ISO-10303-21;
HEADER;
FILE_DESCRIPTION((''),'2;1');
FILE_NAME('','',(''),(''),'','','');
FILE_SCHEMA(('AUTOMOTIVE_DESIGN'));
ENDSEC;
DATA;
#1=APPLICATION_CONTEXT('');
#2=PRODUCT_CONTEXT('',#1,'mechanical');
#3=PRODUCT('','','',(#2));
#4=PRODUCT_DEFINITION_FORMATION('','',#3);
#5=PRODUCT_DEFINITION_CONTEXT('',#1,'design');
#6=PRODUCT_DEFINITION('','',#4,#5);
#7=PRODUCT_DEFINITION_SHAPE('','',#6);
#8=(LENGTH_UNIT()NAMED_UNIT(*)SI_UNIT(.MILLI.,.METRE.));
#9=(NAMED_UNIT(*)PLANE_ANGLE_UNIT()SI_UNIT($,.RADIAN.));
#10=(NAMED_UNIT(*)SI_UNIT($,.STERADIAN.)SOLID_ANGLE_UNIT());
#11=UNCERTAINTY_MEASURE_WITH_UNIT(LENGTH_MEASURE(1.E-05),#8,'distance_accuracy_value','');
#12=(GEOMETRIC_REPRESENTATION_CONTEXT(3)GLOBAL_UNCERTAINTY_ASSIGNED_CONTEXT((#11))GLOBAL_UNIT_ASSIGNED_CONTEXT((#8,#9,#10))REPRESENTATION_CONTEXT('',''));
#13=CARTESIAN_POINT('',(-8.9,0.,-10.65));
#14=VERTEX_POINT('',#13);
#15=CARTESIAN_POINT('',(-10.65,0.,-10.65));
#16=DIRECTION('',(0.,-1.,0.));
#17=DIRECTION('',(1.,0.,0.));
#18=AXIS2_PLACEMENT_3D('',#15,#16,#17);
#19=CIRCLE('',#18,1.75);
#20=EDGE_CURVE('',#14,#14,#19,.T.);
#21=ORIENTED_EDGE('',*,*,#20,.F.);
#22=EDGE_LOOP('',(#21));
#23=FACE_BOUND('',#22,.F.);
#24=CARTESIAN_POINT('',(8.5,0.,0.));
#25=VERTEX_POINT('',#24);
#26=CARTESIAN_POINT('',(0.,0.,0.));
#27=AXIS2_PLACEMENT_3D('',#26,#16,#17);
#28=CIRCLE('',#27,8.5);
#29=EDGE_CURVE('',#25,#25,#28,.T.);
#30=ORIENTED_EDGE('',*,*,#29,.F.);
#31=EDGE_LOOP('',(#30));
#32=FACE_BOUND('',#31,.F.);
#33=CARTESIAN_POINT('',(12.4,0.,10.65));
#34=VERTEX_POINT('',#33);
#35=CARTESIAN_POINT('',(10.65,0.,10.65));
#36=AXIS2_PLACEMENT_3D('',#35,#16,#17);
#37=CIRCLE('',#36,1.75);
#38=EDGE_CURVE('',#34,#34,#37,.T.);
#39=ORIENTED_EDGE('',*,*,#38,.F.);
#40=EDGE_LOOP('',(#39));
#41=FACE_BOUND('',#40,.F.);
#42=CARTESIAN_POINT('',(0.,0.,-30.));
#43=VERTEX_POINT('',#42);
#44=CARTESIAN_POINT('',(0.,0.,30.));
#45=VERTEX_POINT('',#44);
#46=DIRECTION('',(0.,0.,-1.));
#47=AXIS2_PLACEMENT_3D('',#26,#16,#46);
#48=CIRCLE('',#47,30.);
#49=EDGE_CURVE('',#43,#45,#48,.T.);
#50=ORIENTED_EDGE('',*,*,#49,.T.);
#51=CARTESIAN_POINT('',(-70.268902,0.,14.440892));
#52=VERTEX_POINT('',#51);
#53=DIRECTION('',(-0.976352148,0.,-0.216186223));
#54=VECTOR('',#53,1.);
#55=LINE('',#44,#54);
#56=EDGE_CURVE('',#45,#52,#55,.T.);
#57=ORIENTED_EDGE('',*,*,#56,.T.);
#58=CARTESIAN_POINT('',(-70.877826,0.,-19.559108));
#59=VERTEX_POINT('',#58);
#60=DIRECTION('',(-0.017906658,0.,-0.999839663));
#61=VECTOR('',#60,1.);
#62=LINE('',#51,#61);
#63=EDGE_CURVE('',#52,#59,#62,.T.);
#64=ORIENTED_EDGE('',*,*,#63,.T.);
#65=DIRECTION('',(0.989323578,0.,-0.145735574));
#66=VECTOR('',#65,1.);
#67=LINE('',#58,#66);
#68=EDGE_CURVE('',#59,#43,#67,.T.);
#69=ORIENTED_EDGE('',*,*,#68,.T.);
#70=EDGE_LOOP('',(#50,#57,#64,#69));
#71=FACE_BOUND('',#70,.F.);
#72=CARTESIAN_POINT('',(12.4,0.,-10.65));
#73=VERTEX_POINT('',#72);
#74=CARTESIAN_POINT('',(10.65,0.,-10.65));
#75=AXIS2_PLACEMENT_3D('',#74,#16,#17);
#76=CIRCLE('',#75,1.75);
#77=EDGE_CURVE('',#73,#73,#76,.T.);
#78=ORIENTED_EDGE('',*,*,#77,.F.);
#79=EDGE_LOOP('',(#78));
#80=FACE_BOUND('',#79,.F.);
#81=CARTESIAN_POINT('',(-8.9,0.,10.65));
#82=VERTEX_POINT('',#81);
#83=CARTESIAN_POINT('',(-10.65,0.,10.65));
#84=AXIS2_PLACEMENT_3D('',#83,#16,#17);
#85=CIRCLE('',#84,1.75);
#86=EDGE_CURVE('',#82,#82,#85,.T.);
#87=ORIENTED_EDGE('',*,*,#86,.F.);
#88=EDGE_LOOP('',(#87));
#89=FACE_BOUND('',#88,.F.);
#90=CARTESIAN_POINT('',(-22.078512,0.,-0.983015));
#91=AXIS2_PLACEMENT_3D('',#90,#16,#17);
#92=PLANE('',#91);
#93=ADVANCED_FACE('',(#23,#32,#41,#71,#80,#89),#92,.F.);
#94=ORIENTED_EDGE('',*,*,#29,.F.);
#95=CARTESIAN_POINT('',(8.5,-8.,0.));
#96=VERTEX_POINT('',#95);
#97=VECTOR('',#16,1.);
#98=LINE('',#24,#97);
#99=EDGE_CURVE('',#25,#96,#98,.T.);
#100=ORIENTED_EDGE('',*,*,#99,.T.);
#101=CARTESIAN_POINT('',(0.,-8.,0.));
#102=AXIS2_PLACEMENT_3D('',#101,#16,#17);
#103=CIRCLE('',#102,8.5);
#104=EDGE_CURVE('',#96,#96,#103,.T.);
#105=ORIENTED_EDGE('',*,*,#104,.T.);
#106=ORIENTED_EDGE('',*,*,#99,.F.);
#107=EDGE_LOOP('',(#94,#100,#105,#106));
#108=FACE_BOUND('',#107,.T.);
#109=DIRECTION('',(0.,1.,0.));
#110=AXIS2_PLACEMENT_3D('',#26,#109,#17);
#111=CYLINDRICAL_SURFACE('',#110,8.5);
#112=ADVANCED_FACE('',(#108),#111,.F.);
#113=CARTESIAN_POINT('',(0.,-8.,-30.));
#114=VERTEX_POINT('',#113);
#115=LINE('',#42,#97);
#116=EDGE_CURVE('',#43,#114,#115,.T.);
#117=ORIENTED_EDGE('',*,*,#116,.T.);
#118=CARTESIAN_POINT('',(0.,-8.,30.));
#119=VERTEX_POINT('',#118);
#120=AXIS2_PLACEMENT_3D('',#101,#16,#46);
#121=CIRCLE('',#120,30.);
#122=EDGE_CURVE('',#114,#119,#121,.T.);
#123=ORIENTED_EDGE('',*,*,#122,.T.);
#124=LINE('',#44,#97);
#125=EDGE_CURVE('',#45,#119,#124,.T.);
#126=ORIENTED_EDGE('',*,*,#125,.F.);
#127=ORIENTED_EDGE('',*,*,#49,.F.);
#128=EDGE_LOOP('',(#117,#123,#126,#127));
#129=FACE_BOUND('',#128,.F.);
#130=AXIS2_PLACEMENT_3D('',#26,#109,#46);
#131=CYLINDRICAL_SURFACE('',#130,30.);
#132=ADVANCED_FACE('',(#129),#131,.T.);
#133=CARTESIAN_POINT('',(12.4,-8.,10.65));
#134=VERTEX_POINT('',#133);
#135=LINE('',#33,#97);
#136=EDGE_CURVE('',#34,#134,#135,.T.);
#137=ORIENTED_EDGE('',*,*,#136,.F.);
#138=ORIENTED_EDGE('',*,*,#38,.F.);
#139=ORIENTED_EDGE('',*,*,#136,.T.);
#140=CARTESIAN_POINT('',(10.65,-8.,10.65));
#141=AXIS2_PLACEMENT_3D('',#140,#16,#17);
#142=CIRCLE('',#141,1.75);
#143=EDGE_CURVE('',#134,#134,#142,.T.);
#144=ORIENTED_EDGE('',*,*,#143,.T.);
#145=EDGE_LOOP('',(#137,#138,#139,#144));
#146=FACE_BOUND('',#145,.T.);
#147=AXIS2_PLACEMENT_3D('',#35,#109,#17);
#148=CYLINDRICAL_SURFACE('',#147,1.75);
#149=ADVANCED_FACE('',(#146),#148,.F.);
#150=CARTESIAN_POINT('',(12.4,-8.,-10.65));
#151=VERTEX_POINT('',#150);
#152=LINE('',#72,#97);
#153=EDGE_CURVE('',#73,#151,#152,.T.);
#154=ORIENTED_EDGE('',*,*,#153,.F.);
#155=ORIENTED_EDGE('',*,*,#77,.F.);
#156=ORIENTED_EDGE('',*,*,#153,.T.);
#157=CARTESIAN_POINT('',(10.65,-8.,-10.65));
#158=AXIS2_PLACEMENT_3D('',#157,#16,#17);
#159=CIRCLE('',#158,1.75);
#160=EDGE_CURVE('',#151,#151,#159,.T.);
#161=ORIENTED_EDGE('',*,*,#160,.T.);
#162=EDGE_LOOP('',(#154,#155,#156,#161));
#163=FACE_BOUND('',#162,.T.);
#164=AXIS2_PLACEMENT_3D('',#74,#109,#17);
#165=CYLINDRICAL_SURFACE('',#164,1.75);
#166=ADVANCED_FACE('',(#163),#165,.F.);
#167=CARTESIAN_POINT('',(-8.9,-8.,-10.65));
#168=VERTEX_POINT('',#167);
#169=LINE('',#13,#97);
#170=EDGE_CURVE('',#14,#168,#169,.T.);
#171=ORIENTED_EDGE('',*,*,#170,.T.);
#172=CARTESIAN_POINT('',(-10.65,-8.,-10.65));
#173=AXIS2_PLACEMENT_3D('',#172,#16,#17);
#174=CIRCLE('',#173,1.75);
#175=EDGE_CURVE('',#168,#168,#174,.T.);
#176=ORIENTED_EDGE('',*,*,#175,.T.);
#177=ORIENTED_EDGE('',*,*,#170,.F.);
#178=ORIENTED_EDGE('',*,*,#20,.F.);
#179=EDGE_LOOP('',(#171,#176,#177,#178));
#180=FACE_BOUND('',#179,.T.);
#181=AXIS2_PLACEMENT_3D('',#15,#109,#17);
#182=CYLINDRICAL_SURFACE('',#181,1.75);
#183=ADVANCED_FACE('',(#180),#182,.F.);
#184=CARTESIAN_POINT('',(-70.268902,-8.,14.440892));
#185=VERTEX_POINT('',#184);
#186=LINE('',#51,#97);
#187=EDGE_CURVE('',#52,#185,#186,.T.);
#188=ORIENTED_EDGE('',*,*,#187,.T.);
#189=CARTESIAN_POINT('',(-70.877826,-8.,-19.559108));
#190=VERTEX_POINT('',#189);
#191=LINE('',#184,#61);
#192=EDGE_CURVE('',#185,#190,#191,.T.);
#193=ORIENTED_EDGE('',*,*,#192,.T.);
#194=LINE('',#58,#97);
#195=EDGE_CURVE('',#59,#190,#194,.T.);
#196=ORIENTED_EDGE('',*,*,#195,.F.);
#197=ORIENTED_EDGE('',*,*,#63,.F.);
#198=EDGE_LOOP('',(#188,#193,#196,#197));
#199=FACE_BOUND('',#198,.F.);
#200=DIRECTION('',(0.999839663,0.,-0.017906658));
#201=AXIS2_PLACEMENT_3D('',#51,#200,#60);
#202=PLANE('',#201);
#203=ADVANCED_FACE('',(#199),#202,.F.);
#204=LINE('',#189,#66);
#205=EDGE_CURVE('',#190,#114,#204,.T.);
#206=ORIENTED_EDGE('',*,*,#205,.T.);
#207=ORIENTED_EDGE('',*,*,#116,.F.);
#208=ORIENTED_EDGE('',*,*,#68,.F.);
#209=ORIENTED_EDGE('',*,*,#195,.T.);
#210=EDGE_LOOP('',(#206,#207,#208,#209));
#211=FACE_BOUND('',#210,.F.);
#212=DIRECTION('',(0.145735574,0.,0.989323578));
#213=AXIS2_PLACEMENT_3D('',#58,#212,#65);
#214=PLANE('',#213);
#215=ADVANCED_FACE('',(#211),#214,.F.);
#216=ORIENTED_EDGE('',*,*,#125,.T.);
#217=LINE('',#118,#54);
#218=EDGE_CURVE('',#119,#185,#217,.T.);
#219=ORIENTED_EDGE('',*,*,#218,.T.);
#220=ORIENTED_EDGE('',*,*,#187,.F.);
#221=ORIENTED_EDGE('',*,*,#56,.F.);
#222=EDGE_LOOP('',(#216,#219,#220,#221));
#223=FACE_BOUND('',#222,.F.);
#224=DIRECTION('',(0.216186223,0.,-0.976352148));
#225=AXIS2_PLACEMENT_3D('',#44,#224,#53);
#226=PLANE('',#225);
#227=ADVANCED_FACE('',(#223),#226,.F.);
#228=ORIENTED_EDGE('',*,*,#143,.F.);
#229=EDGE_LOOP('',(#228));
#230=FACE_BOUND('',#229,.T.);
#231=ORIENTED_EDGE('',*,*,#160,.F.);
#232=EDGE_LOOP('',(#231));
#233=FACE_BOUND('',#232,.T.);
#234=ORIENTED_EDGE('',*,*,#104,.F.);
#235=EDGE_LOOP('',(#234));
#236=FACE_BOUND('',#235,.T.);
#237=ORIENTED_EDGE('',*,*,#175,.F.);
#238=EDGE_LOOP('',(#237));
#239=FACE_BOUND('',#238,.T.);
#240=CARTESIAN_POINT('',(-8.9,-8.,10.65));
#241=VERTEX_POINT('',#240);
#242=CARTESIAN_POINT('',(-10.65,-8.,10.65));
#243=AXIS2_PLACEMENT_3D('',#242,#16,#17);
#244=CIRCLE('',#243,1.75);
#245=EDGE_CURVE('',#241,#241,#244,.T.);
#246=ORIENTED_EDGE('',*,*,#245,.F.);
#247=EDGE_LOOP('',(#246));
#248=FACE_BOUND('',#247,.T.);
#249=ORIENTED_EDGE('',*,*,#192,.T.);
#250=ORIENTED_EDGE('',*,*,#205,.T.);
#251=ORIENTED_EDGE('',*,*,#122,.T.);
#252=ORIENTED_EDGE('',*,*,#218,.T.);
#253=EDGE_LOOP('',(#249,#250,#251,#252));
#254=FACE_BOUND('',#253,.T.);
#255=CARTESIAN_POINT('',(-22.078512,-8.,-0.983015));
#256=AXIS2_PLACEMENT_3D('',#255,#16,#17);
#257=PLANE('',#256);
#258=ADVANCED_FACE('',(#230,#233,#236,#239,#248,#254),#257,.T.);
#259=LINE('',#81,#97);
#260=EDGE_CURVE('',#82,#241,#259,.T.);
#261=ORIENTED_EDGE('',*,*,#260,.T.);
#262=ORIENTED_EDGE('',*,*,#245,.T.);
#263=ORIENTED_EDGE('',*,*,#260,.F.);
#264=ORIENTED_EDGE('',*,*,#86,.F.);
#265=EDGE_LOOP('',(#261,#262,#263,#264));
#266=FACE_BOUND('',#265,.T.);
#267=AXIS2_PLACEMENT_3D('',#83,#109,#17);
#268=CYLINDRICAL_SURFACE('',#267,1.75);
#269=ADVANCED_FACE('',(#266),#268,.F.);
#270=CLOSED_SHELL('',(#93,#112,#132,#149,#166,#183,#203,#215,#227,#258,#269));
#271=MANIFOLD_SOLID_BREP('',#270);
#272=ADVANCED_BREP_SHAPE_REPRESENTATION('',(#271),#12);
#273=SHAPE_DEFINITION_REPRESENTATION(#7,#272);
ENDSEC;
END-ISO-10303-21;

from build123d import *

# Parameters (mm, degrees)
F0_R     = 1.75
F0_R_2   = 8.5
F1_DEPTH = 8


with BuildPart() as f1:
    # F0 (on Front) → F1 (new body)
    with BuildSketch(Plane.XZ):
        with BuildLine():
            Line((-70.877826, -19.559108), (0, -30))
            ThreePointArc((0, -30), (30, 0), (0, 30))
            Line((0, 30), (-70.268902, 14.440892))
            Line((-70.268902, 14.440892), (-70.877826, -19.559108))
        make_face()
        with Locations((-10.65, -10.65)):
            Circle(F0_R, mode=Mode.SUBTRACT)
        with Locations((10.65, -10.65)):
            Circle(F0_R, mode=Mode.SUBTRACT)
        Circle(F0_R_2, mode=Mode.SUBTRACT)
        with Locations((-10.65, 10.65)):
            Circle(F0_R, mode=Mode.SUBTRACT)
        with Locations((10.65, 10.65)):
            Circle(F0_R, mode=Mode.SUBTRACT)
    extrude(amount=F1_DEPTH)


solid = f1.part
